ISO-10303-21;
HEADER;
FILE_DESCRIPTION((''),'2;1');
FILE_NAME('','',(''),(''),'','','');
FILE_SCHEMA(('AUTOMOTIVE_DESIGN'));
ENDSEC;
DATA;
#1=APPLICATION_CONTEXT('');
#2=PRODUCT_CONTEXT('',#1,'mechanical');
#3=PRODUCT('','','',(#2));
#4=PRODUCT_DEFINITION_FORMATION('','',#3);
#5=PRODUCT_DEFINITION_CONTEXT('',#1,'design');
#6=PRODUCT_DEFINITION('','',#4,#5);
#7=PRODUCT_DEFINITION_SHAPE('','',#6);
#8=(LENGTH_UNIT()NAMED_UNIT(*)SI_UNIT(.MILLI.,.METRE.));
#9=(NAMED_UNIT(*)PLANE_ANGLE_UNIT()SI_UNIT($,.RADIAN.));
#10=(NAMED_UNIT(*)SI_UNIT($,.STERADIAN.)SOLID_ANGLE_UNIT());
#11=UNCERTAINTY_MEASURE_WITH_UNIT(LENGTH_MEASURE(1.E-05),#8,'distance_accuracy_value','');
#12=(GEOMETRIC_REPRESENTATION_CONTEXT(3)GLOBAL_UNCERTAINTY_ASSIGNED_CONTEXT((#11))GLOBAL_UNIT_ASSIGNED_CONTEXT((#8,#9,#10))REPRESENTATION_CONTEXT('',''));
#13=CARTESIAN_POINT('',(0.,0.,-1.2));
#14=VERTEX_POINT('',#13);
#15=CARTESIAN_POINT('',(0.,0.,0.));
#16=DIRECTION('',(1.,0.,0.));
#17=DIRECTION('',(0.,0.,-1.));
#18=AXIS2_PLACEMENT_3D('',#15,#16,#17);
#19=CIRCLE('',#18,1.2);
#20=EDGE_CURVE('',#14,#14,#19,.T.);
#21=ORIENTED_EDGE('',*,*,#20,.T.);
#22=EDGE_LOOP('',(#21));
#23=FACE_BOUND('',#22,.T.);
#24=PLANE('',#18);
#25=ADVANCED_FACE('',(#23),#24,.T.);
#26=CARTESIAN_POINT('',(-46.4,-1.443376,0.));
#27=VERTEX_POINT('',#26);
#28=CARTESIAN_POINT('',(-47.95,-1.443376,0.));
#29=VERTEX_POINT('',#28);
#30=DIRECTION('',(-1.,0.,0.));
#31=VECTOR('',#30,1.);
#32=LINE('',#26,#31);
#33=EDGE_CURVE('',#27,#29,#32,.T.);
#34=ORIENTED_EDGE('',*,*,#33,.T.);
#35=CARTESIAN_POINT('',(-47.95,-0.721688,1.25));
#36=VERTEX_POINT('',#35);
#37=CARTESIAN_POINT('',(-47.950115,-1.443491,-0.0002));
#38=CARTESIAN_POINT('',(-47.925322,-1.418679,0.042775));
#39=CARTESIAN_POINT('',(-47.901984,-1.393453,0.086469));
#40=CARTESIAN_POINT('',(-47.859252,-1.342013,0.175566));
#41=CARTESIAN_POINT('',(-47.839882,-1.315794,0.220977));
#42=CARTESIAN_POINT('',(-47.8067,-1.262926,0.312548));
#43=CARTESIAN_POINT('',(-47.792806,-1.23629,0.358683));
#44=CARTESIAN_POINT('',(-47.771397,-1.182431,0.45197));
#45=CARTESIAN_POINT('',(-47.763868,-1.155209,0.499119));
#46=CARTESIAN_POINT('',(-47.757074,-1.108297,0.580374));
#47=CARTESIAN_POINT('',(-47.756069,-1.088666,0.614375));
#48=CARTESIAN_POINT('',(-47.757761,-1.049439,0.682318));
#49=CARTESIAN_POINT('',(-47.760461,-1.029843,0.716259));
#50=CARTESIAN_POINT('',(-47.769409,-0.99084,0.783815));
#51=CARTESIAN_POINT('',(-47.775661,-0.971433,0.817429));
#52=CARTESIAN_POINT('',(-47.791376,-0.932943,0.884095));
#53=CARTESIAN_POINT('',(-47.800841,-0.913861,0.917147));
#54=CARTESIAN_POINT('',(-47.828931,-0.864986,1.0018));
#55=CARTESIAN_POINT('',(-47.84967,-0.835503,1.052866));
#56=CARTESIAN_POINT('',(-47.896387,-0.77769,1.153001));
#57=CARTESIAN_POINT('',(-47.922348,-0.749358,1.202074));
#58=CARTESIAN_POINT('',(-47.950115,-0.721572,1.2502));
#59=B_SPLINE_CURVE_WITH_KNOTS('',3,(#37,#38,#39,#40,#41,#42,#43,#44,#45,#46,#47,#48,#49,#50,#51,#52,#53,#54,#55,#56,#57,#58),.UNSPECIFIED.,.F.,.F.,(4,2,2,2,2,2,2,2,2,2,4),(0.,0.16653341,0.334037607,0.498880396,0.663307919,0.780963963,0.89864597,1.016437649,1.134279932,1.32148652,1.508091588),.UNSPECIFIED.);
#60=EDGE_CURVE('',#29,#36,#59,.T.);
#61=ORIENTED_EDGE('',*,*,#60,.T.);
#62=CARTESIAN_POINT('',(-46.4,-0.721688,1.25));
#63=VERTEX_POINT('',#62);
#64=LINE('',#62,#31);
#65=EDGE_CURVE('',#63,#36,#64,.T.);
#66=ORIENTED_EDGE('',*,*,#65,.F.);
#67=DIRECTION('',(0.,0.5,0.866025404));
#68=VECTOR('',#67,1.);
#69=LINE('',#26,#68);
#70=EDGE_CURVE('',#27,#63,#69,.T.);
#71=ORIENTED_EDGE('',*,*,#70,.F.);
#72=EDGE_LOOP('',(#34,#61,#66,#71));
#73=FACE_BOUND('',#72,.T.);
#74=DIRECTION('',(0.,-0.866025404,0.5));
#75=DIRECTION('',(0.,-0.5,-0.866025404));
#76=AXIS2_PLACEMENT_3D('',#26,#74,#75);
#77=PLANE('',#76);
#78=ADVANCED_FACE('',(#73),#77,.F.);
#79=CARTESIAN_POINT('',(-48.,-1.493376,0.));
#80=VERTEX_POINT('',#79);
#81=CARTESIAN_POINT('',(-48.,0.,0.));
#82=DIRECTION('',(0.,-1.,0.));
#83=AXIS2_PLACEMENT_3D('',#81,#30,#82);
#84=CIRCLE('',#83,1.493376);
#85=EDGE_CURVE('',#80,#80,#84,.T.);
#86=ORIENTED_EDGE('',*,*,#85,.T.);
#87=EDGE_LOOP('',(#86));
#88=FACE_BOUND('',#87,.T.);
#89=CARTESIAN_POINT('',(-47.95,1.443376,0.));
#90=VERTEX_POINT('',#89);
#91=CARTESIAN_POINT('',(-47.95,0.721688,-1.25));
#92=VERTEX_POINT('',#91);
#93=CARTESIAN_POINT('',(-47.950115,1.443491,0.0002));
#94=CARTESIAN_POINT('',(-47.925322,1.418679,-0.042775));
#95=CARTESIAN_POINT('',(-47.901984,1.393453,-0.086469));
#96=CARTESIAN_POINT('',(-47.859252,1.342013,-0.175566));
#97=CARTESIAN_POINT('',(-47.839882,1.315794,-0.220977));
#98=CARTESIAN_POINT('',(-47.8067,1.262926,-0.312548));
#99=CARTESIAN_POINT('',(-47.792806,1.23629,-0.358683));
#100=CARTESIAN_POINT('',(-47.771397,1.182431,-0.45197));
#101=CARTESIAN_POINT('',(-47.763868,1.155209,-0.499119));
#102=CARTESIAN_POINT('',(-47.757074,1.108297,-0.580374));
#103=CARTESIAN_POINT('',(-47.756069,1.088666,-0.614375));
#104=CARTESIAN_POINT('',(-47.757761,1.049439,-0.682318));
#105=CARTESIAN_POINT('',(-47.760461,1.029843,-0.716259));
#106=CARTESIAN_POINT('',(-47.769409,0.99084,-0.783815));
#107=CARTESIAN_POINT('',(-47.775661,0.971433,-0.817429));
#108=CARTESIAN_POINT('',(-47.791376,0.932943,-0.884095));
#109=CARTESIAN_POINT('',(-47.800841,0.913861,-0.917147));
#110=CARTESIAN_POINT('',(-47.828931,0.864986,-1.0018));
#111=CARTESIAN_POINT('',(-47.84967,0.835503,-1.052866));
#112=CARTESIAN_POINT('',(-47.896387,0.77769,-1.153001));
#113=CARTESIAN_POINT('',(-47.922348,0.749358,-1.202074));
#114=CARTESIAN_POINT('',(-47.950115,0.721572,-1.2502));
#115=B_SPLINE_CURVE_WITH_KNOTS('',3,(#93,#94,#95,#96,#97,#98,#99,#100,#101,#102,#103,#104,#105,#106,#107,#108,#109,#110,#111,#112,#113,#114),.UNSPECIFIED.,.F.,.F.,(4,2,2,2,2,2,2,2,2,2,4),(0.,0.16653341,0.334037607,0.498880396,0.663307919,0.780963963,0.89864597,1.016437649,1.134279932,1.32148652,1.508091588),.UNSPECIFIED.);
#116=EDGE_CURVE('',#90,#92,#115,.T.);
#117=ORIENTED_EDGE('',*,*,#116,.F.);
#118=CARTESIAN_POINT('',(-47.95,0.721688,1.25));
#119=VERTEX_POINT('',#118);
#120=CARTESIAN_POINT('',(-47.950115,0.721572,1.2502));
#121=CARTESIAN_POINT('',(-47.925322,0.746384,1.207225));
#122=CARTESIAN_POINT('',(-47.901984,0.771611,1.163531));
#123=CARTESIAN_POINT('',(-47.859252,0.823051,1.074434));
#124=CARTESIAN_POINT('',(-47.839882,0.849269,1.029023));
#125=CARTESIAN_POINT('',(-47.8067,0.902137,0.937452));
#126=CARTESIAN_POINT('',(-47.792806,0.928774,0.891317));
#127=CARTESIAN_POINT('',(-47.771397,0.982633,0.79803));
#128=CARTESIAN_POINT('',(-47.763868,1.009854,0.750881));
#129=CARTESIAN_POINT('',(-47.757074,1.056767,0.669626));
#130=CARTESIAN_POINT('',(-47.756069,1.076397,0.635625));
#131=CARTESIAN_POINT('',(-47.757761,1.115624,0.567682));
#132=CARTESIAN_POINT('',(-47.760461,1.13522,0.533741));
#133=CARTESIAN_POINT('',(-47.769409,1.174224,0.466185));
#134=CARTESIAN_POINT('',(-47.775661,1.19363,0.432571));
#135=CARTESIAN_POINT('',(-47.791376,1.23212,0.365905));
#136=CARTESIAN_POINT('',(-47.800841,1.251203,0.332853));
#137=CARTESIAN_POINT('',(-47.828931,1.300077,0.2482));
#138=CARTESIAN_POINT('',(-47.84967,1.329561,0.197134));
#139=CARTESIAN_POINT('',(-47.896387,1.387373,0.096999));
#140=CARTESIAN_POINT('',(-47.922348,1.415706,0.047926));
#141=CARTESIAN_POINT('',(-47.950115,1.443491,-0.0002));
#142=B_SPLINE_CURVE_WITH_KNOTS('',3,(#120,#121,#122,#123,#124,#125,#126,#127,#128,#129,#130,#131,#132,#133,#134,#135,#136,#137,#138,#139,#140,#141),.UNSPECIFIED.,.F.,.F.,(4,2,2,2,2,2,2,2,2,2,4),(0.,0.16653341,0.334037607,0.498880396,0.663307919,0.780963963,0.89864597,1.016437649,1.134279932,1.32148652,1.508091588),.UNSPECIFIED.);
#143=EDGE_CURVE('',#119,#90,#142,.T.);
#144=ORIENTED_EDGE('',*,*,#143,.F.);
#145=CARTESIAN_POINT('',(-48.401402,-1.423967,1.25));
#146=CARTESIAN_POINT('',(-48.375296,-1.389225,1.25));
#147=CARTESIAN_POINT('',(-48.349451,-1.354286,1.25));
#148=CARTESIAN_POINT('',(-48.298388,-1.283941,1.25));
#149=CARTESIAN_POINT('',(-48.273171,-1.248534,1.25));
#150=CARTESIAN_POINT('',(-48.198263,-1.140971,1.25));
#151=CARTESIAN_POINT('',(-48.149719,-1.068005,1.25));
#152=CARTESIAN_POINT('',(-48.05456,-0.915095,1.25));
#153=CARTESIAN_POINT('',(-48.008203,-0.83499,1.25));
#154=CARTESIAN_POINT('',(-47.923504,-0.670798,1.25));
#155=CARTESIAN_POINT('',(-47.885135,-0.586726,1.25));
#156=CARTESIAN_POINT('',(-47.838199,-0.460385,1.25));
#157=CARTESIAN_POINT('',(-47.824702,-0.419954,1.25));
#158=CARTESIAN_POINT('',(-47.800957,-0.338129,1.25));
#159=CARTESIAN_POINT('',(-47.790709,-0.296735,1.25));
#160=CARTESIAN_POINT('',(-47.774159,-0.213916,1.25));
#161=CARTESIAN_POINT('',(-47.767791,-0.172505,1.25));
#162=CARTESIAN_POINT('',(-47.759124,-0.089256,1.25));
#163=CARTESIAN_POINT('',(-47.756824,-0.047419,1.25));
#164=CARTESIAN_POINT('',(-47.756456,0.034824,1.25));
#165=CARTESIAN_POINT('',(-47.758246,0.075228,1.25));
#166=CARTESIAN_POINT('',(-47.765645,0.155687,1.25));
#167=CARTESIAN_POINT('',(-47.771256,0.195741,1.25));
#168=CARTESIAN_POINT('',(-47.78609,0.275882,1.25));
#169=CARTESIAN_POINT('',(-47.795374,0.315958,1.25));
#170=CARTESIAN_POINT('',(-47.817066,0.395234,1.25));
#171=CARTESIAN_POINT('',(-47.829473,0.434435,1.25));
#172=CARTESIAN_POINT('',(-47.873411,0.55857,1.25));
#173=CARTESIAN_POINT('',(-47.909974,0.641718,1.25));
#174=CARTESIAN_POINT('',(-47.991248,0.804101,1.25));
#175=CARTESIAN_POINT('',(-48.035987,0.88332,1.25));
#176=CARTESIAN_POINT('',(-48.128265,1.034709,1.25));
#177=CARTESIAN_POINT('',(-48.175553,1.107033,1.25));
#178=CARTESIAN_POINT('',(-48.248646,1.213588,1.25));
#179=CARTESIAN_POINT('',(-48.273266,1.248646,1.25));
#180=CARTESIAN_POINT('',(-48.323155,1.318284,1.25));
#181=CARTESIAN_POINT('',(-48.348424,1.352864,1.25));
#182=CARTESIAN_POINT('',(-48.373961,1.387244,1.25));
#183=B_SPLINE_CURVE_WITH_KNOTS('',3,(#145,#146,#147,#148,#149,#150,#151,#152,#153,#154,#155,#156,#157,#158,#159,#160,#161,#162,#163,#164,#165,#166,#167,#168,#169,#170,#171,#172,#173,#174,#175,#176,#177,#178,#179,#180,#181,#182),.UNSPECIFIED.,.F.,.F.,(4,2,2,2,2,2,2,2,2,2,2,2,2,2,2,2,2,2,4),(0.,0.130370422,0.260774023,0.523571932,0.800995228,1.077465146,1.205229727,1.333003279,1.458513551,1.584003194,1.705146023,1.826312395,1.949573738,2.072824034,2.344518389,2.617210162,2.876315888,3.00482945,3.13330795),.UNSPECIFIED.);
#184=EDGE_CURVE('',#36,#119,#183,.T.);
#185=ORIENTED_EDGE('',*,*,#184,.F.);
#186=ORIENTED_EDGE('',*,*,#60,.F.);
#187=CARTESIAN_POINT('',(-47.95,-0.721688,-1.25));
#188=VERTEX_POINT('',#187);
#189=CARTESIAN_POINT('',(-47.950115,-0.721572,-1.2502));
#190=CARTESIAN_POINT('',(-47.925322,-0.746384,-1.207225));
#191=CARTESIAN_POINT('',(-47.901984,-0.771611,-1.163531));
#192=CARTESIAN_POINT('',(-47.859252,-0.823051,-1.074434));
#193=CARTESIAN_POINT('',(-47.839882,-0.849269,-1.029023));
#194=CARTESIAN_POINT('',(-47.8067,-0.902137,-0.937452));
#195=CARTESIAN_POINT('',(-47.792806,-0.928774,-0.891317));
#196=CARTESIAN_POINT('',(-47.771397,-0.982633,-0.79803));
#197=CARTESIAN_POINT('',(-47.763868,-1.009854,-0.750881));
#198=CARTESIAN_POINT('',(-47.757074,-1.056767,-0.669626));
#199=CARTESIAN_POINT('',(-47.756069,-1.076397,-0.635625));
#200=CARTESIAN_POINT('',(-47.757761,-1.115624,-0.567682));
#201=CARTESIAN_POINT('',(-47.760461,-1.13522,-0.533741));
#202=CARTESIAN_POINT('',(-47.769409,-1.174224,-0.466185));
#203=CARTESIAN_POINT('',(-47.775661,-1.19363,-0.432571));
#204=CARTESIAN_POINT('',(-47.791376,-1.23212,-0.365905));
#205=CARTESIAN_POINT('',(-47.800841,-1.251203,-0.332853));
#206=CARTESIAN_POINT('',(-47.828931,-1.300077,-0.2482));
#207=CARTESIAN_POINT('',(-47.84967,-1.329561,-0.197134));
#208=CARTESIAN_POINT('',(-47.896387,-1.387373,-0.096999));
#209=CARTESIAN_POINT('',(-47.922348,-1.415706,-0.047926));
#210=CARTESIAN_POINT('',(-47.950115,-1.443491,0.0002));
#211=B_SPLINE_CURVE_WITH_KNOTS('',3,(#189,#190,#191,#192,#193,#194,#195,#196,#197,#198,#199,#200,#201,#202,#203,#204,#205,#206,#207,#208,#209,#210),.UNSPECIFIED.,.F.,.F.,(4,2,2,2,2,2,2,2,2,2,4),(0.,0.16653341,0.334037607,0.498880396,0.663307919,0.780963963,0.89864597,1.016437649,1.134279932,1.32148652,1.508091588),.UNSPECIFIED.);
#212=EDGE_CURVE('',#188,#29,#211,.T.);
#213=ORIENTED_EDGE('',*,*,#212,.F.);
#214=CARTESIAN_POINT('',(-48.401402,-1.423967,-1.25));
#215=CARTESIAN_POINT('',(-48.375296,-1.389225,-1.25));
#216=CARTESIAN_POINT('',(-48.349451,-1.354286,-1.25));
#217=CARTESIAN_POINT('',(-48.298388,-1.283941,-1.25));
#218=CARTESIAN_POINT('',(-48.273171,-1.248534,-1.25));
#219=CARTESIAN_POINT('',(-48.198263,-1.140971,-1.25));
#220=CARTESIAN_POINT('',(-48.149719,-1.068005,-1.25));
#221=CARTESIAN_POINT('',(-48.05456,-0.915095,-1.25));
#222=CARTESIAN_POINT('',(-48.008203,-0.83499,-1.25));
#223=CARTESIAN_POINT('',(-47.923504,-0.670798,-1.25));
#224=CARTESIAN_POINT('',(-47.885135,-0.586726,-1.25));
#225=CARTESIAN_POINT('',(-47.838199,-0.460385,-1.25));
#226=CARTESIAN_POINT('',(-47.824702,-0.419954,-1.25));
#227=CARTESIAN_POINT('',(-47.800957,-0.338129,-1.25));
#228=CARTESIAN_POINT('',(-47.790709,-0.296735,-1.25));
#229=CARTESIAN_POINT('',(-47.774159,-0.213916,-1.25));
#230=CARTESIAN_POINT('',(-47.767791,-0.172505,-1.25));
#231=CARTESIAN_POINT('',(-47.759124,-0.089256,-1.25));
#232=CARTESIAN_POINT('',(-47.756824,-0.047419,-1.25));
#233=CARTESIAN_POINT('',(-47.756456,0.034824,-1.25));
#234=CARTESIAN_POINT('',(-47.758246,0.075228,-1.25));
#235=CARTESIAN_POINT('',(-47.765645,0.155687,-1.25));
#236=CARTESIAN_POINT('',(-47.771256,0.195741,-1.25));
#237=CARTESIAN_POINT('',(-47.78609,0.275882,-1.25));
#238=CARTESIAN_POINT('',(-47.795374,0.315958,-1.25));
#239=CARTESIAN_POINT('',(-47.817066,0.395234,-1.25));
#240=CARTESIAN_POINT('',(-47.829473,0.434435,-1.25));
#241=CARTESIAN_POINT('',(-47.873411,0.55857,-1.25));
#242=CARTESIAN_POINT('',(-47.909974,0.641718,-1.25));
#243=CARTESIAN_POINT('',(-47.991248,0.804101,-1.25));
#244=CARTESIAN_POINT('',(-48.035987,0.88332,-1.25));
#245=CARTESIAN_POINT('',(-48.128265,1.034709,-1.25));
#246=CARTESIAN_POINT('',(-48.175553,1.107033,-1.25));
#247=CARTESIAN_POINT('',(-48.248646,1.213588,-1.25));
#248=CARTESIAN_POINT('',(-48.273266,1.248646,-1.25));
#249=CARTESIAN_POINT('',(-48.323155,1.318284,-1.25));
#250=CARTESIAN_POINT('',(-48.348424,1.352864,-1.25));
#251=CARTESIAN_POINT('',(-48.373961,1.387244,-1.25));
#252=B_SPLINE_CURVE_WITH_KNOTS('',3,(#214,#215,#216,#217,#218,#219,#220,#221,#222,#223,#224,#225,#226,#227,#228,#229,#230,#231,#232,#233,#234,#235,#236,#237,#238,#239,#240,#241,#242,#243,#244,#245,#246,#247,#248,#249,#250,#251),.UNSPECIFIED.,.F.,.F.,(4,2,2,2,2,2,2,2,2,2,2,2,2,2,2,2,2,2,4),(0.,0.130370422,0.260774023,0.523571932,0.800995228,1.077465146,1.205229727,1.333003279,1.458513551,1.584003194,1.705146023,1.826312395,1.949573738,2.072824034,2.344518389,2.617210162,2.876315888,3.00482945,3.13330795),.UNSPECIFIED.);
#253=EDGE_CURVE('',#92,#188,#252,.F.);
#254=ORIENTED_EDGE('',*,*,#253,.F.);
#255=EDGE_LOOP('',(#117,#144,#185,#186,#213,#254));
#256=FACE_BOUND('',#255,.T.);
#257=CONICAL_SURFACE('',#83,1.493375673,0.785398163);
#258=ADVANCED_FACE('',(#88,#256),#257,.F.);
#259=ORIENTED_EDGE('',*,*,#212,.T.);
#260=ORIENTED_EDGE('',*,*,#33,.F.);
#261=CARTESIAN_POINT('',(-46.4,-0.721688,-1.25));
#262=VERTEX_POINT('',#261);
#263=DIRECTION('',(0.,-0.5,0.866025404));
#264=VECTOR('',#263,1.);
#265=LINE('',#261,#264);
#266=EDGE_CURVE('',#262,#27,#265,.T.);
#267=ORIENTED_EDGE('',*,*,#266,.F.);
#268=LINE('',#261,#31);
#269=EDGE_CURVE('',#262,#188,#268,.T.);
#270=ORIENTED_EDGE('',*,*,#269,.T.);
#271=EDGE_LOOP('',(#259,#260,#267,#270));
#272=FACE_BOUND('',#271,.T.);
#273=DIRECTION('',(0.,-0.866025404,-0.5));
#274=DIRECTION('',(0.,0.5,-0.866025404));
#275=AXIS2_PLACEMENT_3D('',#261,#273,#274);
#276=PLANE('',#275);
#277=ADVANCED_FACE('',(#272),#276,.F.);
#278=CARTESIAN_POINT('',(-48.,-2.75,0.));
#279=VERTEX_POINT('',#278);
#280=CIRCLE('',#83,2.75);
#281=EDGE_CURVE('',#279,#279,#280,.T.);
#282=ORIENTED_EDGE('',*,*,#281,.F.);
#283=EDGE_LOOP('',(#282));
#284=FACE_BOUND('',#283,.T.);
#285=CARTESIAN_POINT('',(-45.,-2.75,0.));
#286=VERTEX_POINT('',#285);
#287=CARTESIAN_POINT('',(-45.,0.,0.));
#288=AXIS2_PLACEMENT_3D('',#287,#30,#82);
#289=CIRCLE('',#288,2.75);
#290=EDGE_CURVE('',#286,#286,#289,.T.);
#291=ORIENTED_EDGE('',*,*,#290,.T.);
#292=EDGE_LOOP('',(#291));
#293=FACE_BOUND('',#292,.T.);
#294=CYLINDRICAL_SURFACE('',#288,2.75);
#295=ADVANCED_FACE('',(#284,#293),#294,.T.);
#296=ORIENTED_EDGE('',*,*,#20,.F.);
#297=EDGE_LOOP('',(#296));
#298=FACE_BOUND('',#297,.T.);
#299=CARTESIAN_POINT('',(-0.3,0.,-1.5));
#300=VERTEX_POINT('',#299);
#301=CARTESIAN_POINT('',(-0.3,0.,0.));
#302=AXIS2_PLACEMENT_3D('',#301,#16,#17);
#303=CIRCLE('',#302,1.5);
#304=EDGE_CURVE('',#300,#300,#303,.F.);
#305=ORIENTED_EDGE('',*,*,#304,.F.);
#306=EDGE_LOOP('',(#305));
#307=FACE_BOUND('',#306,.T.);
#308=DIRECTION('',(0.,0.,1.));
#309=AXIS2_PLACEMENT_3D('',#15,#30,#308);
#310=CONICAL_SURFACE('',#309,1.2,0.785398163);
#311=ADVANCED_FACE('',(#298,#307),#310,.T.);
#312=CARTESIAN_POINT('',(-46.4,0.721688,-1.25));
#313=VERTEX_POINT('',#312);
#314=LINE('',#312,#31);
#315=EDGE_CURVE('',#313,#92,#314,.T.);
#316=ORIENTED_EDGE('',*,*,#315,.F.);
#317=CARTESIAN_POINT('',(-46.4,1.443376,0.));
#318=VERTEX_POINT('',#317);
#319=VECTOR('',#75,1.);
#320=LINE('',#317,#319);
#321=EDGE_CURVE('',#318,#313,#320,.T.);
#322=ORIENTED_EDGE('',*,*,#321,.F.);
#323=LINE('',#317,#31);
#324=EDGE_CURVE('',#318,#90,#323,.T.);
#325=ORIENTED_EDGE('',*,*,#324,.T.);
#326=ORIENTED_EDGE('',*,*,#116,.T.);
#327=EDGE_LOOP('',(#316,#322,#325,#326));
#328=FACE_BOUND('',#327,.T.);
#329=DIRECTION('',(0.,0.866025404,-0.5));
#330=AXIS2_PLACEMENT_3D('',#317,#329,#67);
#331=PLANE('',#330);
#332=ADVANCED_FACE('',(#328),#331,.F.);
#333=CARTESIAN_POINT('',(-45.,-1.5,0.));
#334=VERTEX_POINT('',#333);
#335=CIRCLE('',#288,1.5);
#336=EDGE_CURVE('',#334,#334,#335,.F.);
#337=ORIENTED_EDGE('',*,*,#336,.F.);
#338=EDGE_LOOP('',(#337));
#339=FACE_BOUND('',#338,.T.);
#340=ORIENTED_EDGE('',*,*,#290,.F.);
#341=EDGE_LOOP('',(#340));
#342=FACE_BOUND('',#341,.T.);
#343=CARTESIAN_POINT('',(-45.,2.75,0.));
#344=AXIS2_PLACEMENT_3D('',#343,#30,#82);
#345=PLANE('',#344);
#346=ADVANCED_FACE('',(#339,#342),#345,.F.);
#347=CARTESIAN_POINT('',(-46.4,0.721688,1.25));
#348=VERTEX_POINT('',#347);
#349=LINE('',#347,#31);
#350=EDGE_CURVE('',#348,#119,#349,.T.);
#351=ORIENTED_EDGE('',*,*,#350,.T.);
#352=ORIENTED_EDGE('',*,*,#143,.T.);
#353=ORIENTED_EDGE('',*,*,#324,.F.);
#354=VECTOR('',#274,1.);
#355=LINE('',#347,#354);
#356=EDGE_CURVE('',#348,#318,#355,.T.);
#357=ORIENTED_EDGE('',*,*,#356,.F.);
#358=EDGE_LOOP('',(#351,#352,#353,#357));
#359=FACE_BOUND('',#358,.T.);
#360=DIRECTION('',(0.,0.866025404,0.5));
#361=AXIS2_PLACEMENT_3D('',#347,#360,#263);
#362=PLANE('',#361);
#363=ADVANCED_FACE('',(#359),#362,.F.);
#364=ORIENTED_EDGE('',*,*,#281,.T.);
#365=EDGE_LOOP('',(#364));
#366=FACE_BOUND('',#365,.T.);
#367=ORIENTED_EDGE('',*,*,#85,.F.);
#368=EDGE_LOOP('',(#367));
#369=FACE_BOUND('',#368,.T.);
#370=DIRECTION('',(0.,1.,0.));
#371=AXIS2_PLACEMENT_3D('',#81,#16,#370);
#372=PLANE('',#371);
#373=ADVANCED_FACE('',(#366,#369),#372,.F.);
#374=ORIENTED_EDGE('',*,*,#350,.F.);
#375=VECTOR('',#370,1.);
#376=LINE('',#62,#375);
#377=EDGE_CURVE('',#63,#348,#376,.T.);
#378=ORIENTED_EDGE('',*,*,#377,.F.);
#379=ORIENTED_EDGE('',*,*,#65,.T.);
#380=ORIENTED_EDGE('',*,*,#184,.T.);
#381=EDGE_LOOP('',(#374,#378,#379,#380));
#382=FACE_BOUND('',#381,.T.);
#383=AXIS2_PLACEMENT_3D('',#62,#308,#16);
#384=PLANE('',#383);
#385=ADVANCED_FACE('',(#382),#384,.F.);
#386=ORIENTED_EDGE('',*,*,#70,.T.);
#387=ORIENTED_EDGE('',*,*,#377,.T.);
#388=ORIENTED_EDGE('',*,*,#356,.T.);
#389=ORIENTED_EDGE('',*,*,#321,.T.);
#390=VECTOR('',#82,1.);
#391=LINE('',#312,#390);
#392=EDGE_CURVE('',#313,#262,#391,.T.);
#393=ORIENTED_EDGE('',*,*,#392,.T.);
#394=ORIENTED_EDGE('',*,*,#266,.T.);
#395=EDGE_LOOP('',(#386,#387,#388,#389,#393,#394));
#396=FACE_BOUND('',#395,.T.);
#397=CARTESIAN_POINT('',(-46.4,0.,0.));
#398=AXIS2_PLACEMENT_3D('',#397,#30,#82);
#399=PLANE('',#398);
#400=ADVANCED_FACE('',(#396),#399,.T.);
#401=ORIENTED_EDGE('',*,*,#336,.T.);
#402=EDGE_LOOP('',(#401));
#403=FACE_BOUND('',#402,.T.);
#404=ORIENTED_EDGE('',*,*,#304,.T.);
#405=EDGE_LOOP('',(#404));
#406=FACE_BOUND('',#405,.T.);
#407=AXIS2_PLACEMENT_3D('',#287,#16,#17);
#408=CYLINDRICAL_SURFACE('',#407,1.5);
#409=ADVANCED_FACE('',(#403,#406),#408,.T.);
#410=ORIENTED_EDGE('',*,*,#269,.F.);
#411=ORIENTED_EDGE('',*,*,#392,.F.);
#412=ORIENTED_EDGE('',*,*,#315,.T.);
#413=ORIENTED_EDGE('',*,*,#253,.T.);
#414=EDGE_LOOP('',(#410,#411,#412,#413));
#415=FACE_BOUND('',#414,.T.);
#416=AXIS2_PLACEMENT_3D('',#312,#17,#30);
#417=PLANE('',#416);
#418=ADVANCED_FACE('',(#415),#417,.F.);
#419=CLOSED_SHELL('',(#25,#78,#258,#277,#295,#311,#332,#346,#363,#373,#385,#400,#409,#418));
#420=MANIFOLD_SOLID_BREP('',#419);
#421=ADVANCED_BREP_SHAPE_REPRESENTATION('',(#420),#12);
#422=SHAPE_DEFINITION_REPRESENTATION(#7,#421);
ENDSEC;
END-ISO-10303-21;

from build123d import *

# Parameters (mm, degrees)
SKETCH2_R           = 1.5
BOSS_EXTRUDE1_DEPTH = 45
CHAMFER1_SIZE       = 0.3
SKETCH6_W           = 3
SKETCH6_H           = 2.75
CUT_EXTRUDE1_DEPTH  = 1.6
SKETCH8_R           = 1.493375673
CUT_EXTRUDE2_DEPTH  = 1
CUT_EXTRUDE2_TAPER  = 45


with BuildPart() as part:
    # Sketch2 → Boss-Extrude1 (new body)
    with BuildSketch(Plane(origin=(0, 0, 0), x_dir=(0, 0, -1), z_dir=(1, 0, 0))):
        Circle(SKETCH2_R)
    extrude(amount=-BOSS_EXTRUDE1_DEPTH)

    # Chamfer1
    chamfer1_edges = [part.edges().sort_by_distance(p)[0] for p in [
        (0, 0, 1.5),
    ]]
    chamfer(chamfer1_edges, length=CHAMFER1_SIZE)

    # Sketch6 → Revolve1 (revolve)
    with BuildSketch(Plane.XY):
        with Locations((-46.5, 1.375)):
            Rectangle(SKETCH6_W, SKETCH6_H)
    revolve(axis=Axis((-45, 0, 0), (1, 0, 0)))

    # Sketch7 → Cut-Extrude1 (cut)
    with BuildSketch(Plane.ZY.offset(48)):
        Polygon((0, 1.443375673), (-1.25, 0.721687836), (-1.25, -0.721687836), (0, -1.443375673), (1.25, -0.721687836), (1.25, 0.721687836), align=None)
    extrude(amount=-CUT_EXTRUDE1_DEPTH, mode=Mode.SUBTRACT)

    # Sketch8 → Cut-Extrude2 (cut)
    with BuildSketch(Plane.ZY.offset(48)):
        Circle(SKETCH8_R)
    extrude(amount=-CUT_EXTRUDE2_DEPTH, taper=CUT_EXTRUDE2_TAPER, mode=Mode.SUBTRACT)


solid = part.part
